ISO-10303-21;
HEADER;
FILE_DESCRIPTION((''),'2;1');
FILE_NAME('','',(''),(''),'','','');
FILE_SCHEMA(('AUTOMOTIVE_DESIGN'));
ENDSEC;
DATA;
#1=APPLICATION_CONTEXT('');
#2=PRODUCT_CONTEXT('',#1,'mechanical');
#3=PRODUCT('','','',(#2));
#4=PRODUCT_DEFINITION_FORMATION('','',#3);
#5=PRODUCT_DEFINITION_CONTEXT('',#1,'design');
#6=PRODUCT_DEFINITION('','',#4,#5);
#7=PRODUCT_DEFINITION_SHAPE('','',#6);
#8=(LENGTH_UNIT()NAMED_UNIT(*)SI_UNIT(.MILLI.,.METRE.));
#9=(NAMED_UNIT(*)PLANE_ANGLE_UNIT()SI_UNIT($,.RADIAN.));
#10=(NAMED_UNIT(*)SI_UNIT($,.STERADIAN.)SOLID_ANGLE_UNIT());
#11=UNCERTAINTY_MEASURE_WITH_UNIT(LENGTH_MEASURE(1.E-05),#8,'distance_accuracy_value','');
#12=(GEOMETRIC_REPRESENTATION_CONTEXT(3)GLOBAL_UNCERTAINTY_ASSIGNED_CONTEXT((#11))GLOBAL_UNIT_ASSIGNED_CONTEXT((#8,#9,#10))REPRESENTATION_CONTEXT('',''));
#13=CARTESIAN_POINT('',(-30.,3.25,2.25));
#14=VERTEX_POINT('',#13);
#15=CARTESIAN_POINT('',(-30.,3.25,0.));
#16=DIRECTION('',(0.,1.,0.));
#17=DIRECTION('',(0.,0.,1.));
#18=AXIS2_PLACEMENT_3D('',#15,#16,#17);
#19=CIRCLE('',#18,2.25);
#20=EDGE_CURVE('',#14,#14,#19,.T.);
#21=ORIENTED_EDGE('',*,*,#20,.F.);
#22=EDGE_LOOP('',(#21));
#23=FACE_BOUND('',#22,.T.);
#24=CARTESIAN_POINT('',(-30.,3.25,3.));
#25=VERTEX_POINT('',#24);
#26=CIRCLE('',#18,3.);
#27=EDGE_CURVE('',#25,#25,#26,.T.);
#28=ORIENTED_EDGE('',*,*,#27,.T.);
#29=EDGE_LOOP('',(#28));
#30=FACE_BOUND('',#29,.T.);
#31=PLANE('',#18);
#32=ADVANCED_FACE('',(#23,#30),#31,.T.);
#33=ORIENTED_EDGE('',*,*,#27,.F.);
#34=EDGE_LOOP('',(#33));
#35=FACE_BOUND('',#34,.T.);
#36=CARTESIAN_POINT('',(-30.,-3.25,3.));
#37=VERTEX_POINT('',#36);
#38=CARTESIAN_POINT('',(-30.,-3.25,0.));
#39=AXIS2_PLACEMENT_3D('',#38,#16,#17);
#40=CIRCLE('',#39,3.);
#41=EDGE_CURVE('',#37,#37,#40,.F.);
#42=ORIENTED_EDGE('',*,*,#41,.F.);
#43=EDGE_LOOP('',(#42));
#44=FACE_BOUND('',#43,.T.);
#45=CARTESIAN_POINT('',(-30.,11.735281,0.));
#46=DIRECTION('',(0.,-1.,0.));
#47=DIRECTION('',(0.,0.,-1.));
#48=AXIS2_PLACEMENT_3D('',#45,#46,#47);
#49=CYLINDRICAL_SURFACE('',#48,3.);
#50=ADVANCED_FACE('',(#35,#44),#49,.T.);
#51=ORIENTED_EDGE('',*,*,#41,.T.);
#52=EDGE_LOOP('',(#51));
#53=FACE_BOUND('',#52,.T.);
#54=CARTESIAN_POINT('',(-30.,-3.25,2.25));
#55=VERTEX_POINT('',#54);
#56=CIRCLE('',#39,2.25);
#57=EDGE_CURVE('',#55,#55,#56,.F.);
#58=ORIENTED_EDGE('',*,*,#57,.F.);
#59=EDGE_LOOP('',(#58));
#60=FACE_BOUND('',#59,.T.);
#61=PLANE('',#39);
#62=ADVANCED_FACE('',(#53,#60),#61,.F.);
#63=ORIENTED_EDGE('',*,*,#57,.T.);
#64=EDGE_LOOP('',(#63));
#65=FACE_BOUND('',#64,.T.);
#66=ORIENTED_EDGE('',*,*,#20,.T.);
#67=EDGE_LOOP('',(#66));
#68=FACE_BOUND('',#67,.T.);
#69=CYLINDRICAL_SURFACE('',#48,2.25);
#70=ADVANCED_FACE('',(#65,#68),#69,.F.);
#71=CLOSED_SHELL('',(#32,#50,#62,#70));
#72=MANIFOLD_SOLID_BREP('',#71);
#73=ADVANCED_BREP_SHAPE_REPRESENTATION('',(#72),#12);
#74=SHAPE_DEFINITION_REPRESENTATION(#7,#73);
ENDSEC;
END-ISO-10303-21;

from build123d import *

# Parameters (mm, degrees)
BASE_EXTRUSION_DEPTH      = 3.25
BASE_EXTRUSION_DEPTH_BACK = 3.25
ESQUISSE2_R               = 3
ESQUISSE2_R_2             = 2.25


with BuildPart() as part:
    # Esquisse2 → Base-Extrusion (new, two sides: drawn at the far end of the back side and taken through both)
    with BuildSketch(Plane(origin=(0, 0, 0), x_dir=(-1, 0, 0), z_dir=(0, 1, 0)).offset(-BASE_EXTRUSION_DEPTH_BACK)):
        with Locations(Location((30, 0, 0), (0, 0, 90))):
            Circle(ESQUISSE2_R)
        with Locations(Location((30, 0, 0), (0, 0, 90))):
            Circle(ESQUISSE2_R_2, mode=Mode.SUBTRACT)
    extrude(amount=BASE_EXTRUSION_DEPTH + BASE_EXTRUSION_DEPTH_BACK)


solid = part.part
